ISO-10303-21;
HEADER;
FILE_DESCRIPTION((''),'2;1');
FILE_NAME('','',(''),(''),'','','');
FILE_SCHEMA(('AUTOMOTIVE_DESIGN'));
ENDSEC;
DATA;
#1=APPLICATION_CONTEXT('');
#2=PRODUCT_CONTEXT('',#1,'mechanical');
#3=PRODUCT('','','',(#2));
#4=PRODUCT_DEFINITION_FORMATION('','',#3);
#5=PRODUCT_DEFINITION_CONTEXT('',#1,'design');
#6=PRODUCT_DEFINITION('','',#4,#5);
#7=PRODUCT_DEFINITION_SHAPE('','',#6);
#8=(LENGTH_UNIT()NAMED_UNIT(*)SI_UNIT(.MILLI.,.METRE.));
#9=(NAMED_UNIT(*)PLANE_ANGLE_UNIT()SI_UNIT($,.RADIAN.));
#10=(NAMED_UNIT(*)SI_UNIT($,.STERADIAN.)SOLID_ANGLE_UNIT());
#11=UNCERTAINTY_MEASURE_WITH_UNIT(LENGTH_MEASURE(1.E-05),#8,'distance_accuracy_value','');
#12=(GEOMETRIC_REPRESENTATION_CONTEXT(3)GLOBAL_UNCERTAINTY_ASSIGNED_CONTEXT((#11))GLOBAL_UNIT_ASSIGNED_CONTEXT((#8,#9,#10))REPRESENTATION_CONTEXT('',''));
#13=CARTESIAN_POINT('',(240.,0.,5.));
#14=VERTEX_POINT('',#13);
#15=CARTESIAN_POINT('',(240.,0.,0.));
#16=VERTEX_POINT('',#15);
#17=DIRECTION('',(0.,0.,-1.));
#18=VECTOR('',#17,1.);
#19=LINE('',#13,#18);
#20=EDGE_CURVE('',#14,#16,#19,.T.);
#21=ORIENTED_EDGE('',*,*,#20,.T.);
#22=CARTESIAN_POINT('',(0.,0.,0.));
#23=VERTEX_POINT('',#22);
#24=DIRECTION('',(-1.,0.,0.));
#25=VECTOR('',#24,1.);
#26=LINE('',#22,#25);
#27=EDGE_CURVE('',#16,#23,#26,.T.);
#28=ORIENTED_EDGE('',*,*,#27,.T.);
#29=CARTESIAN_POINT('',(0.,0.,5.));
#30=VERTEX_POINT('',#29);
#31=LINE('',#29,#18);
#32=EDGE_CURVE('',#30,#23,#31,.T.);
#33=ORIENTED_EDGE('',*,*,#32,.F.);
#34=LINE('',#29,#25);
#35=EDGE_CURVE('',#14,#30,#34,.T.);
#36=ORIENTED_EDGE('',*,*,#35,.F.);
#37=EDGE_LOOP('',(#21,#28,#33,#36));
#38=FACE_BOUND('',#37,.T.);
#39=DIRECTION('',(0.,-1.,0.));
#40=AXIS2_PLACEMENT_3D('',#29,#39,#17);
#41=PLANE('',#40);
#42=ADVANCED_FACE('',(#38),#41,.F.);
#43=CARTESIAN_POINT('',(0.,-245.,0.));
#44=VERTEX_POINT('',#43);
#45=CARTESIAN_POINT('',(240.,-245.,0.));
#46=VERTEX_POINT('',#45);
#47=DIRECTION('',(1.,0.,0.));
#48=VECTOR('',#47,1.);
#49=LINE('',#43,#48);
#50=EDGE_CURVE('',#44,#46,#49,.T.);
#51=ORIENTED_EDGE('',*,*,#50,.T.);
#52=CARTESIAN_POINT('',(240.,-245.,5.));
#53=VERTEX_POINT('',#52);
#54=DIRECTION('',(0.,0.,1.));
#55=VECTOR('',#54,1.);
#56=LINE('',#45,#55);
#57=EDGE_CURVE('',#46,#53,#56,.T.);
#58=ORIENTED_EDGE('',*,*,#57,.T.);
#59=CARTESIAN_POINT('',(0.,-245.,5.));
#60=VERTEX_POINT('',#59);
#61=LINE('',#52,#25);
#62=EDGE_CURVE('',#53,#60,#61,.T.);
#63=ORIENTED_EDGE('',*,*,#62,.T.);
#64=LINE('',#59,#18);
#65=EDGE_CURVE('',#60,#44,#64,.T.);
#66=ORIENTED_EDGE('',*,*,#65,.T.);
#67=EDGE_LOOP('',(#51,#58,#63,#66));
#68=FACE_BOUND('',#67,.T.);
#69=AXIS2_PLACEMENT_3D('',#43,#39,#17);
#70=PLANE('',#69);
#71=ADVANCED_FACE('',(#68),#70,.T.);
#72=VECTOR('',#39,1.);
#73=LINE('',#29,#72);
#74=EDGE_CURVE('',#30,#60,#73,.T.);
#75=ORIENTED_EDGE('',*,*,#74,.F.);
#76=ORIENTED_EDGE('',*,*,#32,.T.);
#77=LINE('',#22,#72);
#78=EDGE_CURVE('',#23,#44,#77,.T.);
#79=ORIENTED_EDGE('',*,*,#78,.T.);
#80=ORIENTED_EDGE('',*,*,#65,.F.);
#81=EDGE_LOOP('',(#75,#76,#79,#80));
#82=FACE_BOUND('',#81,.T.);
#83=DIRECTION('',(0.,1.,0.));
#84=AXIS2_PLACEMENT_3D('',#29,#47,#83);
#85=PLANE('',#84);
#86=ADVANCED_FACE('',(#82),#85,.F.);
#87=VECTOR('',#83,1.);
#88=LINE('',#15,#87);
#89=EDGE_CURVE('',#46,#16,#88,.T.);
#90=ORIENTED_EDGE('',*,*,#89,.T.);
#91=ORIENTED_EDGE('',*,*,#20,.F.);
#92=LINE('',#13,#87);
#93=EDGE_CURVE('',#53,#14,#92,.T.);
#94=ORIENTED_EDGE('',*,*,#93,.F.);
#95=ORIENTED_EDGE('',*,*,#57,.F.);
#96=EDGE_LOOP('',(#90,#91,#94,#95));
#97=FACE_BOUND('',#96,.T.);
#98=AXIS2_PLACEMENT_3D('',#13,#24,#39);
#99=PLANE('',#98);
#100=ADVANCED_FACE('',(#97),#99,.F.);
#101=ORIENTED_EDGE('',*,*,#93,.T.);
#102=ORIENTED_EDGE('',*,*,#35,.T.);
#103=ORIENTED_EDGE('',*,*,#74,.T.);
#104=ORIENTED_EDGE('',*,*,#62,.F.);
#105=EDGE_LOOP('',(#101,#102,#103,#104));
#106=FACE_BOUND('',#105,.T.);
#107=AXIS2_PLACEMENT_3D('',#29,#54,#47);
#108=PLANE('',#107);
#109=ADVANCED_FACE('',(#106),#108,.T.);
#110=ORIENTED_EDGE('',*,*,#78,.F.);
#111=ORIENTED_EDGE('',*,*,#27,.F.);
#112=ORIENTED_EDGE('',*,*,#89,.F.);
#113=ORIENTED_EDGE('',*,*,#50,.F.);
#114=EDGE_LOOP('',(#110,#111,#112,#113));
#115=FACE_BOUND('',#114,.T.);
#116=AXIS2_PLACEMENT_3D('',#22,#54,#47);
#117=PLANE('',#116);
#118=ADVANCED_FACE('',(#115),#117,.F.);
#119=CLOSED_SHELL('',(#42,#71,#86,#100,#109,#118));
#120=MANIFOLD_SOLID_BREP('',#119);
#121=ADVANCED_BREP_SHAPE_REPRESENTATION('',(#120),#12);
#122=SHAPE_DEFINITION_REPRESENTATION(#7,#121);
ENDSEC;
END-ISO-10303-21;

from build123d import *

# Parameters (mm, degrees)
SKETCH1_W           = 240
SKETCH1_H           = 410
BOSS_EXTRUDE1_DEPTH = 5
SKETCH2_W           = 240
SKETCH2_H           = 5
CUT_EXTRUDE1_DEPTH  = 165


with BuildPart() as part:
    # Sketch1 → Boss-Extrude1 (new body)
    with BuildSketch(Plane.XY):
        with Locations((120, -205)):
            Rectangle(SKETCH1_W, SKETCH1_H)
    extrude(amount=BOSS_EXTRUDE1_DEPTH)

    # Sketch2 → Cut-Extrude1 (cut)
    with BuildSketch(Plane.XZ.offset(410)):
        with Locations((120, 2.5)):
            Rectangle(SKETCH2_W, SKETCH2_H)
    extrude(amount=-CUT_EXTRUDE1_DEPTH, mode=Mode.SUBTRACT)


solid = part.part
